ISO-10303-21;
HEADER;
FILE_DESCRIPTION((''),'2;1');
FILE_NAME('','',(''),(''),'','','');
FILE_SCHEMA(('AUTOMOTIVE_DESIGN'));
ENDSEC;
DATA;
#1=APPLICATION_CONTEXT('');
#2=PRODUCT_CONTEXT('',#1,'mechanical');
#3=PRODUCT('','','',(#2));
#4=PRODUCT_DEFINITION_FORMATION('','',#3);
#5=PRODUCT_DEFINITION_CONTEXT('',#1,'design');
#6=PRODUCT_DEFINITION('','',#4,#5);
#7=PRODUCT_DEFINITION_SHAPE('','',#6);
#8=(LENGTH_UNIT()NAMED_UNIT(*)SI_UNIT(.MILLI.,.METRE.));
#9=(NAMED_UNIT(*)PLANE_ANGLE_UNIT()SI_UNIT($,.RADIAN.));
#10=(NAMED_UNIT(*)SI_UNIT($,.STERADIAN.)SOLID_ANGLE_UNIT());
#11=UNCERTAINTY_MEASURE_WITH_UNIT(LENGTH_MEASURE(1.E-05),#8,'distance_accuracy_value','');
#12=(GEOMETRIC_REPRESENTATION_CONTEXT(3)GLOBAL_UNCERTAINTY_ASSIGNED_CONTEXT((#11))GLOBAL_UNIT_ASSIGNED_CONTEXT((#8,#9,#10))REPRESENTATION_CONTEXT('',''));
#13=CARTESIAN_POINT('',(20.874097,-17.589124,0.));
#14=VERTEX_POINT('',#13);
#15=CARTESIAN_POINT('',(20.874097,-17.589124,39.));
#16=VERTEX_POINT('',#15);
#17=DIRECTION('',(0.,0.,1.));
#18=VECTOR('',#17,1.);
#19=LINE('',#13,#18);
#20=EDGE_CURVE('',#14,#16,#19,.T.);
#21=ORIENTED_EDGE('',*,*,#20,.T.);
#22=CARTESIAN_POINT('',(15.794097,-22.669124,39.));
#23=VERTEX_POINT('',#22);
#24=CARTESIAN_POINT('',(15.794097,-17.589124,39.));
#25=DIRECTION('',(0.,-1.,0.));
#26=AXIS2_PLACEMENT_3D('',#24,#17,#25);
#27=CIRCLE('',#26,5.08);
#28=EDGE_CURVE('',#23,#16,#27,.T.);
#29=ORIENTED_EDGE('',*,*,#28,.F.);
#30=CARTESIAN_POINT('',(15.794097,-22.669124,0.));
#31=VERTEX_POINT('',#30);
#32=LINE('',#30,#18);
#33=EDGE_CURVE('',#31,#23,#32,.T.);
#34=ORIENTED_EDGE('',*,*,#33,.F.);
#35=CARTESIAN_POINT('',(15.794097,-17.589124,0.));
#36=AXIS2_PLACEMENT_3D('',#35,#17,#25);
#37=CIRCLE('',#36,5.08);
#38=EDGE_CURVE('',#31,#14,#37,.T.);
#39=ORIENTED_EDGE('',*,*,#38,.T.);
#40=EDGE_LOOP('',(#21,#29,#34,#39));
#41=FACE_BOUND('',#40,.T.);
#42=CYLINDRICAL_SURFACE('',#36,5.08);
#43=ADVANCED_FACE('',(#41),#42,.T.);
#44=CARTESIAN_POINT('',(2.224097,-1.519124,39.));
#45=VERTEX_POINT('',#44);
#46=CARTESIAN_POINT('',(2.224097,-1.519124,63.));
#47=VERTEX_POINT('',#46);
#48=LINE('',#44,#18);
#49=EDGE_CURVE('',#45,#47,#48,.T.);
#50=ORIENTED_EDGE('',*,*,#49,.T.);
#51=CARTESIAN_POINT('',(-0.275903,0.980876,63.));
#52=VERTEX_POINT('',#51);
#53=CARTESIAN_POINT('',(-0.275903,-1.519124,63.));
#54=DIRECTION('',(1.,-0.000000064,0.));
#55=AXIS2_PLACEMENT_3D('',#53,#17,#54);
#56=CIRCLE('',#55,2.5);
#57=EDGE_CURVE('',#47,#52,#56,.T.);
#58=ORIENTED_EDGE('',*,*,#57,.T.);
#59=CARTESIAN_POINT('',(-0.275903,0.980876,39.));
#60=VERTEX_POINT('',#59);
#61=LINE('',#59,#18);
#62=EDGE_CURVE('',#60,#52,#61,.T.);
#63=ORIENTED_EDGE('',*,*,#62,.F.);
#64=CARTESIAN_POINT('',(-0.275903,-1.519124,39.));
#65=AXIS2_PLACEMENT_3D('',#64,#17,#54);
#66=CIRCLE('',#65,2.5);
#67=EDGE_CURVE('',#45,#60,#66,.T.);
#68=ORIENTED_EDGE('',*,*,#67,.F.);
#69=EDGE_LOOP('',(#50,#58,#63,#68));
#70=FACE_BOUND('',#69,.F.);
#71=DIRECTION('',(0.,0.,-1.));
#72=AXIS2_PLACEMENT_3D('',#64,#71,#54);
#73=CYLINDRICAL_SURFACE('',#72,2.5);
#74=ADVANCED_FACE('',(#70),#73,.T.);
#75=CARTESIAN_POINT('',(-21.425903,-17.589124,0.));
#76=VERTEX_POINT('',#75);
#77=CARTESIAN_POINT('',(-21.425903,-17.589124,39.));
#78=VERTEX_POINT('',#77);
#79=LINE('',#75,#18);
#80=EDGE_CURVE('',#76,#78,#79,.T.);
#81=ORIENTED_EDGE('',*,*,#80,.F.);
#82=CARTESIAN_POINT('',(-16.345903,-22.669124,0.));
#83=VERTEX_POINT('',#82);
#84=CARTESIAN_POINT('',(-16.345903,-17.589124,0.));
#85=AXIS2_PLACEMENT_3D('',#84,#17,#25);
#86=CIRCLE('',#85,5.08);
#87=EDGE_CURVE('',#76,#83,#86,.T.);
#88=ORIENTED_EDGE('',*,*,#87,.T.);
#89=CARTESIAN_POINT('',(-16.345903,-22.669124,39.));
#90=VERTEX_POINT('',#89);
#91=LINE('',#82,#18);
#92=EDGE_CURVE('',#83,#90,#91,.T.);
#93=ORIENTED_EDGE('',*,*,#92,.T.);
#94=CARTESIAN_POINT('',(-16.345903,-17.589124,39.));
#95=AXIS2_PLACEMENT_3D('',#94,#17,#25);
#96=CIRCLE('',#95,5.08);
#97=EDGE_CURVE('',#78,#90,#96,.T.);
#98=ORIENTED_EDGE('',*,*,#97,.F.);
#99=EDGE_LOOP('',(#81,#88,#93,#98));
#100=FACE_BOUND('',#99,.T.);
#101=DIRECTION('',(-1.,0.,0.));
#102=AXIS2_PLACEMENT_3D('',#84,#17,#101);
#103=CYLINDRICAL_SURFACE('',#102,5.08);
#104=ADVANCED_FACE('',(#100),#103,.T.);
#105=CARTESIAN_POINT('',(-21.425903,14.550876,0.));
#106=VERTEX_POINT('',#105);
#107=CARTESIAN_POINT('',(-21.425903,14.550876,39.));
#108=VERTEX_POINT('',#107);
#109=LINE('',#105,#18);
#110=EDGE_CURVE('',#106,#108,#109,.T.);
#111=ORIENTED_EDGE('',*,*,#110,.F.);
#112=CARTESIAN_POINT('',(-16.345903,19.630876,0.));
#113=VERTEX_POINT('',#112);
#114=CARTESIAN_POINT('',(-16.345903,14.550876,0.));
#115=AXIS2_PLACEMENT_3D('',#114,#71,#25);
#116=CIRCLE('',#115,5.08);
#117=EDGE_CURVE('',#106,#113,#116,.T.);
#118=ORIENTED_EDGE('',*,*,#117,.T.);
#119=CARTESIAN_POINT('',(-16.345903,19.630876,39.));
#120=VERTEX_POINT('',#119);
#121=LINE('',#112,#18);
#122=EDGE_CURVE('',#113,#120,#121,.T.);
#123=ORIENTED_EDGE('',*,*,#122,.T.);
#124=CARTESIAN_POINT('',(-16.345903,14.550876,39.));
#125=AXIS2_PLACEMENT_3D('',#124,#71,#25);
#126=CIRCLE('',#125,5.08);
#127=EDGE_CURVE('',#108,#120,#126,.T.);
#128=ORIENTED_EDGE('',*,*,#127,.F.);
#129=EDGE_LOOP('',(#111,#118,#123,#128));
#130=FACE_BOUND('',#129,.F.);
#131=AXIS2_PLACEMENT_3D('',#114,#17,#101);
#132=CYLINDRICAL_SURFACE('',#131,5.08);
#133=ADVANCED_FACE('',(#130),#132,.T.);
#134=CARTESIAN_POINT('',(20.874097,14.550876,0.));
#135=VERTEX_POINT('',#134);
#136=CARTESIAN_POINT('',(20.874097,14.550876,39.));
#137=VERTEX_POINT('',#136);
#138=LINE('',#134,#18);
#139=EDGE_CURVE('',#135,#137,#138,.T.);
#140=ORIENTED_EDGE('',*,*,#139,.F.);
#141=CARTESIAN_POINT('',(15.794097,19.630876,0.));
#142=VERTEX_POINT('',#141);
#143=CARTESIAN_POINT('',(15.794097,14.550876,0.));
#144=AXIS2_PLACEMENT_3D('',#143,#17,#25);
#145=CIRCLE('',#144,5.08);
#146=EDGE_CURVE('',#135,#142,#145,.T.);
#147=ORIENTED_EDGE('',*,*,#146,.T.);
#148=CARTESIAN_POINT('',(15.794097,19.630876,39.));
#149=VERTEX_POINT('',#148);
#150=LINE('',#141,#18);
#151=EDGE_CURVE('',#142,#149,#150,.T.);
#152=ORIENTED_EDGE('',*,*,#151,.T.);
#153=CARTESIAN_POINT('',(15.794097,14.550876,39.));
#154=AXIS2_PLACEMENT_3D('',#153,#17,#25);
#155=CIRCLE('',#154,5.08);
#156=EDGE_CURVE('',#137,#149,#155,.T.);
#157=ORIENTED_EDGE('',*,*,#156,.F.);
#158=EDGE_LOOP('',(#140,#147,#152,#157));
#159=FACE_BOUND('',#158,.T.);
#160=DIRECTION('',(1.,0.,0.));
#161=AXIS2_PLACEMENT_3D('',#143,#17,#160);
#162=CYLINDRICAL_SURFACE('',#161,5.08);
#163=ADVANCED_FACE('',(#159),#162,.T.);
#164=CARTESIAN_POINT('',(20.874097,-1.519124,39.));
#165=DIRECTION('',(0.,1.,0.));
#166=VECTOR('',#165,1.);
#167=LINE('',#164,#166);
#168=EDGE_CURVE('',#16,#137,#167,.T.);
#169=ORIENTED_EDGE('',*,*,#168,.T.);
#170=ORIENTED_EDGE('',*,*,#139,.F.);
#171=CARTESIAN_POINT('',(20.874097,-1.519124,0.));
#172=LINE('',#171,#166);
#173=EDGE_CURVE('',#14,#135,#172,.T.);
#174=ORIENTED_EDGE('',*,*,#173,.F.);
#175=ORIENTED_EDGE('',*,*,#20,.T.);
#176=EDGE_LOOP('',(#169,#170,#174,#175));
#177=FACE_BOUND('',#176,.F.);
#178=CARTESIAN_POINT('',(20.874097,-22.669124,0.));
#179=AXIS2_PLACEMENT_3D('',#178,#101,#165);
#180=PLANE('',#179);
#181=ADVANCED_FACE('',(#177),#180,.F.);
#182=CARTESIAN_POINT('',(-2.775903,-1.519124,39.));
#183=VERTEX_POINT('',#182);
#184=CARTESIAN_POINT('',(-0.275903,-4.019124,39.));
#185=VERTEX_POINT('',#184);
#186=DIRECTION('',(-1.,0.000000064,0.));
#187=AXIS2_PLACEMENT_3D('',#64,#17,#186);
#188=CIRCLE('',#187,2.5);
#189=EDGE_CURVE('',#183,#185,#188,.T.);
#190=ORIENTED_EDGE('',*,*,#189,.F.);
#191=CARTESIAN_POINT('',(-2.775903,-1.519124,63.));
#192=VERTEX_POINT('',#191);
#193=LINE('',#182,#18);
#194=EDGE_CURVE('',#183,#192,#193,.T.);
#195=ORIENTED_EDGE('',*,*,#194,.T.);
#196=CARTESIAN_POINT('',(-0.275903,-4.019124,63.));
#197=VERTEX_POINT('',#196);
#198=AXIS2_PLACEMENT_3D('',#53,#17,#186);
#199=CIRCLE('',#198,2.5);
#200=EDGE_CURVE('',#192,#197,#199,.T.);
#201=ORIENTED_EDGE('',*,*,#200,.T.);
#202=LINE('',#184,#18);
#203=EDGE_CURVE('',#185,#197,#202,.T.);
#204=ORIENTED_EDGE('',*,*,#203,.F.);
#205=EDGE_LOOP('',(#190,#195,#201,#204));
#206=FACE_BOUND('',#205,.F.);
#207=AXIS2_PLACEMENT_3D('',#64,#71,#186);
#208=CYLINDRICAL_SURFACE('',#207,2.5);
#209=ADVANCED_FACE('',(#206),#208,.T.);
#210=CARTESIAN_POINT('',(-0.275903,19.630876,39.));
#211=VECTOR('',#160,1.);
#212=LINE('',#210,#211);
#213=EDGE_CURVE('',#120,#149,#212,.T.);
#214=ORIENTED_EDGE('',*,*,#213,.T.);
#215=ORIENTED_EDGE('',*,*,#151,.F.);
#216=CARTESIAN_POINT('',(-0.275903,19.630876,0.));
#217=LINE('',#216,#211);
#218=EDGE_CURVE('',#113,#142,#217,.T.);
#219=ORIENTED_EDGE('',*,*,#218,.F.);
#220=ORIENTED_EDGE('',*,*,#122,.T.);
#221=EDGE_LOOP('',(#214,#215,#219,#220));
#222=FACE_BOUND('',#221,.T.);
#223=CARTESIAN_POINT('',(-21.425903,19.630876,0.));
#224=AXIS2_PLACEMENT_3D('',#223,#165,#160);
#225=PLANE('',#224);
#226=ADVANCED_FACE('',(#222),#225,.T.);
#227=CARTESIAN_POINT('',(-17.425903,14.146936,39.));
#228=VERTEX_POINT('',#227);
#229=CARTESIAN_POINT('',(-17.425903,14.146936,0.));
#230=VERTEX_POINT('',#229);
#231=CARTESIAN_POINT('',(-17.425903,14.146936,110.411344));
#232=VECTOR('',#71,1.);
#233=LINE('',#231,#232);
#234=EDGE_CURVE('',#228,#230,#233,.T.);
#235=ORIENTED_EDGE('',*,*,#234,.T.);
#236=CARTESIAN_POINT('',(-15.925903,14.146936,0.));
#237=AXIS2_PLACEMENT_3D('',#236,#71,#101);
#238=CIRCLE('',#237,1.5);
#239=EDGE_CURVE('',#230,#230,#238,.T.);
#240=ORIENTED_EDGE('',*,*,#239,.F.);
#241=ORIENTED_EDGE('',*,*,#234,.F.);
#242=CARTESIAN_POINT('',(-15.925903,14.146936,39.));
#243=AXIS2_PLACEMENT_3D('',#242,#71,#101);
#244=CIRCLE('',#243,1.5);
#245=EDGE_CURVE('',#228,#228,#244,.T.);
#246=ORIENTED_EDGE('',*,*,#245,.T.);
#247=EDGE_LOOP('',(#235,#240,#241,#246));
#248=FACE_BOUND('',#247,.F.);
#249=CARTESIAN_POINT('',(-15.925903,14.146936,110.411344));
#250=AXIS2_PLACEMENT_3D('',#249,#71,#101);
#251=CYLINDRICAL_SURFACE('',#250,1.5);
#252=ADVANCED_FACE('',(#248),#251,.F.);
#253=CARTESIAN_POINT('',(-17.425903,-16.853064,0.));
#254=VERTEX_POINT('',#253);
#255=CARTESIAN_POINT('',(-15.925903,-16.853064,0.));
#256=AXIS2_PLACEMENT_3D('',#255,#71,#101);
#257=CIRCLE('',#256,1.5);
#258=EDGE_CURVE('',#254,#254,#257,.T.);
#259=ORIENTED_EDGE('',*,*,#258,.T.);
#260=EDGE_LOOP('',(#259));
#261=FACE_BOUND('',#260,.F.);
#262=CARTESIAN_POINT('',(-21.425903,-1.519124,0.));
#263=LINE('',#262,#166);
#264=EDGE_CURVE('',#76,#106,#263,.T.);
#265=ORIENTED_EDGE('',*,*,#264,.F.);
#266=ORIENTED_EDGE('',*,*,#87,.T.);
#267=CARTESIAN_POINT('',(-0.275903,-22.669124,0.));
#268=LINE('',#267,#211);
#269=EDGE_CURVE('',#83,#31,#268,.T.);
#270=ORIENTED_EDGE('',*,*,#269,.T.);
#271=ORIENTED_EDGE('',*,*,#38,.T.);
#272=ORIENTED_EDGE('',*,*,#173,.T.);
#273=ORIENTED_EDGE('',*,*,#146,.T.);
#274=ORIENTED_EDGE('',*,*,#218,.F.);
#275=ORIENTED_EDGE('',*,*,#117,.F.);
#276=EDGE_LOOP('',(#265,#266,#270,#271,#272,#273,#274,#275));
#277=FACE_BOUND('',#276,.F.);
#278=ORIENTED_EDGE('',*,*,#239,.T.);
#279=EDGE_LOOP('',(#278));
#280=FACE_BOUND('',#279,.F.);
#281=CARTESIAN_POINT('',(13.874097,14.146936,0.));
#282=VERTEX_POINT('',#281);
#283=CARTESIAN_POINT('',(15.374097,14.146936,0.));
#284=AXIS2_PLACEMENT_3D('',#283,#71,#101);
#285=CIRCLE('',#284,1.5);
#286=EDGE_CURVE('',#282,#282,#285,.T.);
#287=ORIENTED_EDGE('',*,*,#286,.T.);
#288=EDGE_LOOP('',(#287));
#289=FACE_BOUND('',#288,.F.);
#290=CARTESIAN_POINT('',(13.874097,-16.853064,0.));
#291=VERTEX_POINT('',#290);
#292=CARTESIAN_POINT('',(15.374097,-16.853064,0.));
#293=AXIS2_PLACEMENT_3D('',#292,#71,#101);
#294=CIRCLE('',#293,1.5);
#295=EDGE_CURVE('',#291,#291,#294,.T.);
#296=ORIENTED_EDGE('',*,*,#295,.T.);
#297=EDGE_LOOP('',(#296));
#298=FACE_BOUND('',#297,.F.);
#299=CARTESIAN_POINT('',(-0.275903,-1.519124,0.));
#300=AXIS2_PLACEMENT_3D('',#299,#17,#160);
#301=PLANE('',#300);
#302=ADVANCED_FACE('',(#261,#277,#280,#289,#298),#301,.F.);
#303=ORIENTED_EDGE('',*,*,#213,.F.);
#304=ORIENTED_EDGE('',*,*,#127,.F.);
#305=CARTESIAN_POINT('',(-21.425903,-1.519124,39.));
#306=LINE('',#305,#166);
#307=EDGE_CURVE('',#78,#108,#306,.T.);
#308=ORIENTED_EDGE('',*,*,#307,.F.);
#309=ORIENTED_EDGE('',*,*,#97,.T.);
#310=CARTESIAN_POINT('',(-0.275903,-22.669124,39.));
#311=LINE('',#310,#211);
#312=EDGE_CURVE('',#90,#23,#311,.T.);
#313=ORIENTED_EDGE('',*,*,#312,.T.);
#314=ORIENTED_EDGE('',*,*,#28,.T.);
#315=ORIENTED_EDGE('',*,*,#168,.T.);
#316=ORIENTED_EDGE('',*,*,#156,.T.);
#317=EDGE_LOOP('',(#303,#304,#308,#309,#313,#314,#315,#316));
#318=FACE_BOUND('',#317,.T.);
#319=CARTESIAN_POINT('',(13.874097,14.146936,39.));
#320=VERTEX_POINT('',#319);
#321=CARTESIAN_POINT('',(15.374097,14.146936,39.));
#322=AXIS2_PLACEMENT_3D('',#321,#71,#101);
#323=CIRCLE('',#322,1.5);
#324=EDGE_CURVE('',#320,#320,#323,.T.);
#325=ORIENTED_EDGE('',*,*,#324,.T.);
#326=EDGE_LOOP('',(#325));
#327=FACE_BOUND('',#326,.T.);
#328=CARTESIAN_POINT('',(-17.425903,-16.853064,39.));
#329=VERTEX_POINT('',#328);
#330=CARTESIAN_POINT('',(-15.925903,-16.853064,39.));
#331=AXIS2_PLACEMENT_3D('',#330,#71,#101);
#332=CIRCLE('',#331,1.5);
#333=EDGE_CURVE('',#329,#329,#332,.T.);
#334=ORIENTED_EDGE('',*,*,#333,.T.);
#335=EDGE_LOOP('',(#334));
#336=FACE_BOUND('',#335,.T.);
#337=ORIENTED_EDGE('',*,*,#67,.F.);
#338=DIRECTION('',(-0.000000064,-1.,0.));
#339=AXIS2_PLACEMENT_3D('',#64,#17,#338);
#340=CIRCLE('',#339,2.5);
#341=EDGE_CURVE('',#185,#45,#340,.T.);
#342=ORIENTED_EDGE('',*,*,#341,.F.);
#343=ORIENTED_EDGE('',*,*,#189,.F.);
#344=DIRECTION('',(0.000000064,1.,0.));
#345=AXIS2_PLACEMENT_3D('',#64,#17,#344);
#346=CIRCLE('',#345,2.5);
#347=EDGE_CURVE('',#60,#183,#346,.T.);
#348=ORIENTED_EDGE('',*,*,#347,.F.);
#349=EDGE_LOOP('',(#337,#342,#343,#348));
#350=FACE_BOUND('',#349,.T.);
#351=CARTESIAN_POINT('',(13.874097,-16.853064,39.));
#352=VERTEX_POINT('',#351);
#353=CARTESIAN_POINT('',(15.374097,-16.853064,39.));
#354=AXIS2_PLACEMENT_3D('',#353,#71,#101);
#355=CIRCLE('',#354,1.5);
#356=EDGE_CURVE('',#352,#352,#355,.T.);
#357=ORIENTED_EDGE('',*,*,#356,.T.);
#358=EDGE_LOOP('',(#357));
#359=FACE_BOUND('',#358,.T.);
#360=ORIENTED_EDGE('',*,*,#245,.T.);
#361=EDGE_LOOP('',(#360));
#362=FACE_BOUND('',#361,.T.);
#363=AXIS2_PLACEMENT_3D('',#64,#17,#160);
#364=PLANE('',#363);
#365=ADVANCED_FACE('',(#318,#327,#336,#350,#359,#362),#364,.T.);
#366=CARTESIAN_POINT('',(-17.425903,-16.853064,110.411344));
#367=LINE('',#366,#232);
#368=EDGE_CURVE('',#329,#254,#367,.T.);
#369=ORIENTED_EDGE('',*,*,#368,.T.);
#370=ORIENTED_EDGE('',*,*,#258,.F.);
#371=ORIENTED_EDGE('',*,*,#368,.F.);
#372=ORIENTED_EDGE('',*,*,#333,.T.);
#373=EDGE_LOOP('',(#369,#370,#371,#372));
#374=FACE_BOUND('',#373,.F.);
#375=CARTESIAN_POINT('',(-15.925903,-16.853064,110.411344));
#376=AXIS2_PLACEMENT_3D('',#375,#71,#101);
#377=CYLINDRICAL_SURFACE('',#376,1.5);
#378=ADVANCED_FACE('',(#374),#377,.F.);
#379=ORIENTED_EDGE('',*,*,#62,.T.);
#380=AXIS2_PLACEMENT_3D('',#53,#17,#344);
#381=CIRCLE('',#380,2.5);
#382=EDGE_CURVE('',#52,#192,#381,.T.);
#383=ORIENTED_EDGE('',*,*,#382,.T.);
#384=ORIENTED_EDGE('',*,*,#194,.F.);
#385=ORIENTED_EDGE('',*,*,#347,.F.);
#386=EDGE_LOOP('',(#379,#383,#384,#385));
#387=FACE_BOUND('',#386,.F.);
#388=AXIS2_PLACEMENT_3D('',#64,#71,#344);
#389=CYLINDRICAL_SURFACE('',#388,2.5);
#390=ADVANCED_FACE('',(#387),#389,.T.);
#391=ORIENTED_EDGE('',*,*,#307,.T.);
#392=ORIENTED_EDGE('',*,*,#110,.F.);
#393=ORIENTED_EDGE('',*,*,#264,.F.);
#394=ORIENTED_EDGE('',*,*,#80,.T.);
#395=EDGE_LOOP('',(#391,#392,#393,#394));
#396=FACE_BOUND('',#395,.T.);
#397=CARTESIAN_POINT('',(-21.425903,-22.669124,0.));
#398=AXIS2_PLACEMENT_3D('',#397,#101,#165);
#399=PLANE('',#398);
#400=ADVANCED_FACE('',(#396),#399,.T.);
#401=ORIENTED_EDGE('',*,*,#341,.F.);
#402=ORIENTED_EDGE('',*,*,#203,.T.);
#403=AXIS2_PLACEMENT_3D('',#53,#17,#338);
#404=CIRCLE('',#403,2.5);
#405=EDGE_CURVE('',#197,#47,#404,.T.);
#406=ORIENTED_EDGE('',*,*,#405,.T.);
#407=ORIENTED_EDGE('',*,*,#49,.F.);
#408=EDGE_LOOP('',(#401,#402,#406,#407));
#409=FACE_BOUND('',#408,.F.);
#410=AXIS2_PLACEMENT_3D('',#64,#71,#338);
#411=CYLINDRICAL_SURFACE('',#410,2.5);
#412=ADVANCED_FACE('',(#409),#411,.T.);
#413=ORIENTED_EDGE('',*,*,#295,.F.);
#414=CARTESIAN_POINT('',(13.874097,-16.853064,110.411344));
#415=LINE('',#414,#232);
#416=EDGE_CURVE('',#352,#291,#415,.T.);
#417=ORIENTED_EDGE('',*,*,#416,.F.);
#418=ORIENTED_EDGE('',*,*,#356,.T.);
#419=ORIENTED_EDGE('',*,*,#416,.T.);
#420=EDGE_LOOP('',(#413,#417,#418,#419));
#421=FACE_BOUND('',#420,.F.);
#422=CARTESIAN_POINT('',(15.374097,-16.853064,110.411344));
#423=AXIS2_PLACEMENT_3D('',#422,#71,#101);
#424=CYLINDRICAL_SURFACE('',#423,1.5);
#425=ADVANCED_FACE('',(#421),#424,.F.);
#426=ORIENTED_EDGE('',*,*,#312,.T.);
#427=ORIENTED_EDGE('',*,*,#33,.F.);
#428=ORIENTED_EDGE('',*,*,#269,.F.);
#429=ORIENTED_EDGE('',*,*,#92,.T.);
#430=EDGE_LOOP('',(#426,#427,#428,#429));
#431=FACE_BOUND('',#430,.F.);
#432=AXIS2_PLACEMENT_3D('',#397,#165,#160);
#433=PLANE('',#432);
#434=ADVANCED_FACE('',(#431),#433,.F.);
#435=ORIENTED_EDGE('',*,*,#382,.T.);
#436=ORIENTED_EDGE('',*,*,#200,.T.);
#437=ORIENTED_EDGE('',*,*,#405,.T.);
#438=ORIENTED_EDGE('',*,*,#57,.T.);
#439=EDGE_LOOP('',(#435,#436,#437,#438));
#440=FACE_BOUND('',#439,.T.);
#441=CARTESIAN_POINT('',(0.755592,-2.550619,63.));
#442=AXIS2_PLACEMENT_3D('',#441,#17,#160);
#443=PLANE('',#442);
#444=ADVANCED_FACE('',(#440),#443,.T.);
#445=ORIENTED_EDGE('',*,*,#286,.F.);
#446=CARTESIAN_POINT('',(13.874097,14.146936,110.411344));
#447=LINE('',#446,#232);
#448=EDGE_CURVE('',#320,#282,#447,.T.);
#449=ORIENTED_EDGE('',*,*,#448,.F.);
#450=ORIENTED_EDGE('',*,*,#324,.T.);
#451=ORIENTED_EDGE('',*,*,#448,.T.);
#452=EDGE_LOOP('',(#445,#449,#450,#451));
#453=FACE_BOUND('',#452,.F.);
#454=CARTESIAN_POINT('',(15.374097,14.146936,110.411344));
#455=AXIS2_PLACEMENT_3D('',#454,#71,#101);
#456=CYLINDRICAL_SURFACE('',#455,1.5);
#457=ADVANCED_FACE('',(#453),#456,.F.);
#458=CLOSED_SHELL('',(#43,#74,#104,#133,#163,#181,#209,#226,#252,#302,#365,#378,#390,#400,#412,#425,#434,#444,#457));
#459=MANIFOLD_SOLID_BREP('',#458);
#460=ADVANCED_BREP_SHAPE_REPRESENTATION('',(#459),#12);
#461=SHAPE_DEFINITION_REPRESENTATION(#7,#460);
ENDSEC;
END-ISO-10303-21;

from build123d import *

# Parameters (mm, degrees)
F0_W     = 42.3
F0_H     = 42.3
F1_DEPTH = 39
F2_R     = 5.08
F4_D     = 3
F6_DEPTH = 24


with BuildPart() as f1:
    # F0 (on Top) → F1 (new body)
    with BuildSketch(Plane.XY):
        with Locations((-0.275903, -1.519124)):
            Rectangle(F0_W, F0_H)
    extrude(amount=F1_DEPTH)

    # F2
    f2_edges = [f1.edges().sort_by_distance(p)[0] for p in [
        (20.874097, 19.630876, 19.5),
        (20.874097, -22.669124, 19.5),
        (-21.425903, 19.630876, 19.5),
        (-21.425903, -22.669124, 19.5),
    ]]
    fillet(f2_edges, radius=F2_R)

    # F4 (through all)
    with Locations(Plane.XY.offset(39)):
        with Locations((15.374097, 14.146936), (15.374097, -16.853064), (-15.925903, -16.853064), (-15.925903, 14.146936)):
            Hole(F4_D / 2)

    # F5 (on face) → F6 (join)
    with BuildSketch(Plane.XY.offset(39)):
        with BuildLine():
            ThreePointArc((-0.275903, -4.019124), (1.491864, -3.286891), (2.224097, -1.519124))
            Line((2.224097, -1.519124), (-0.275903, -1.519124))
            Line((-0.275903, -1.519124), (-0.275903, -4.019124))
        make_face()
        with BuildLine():
            Line((-0.275903, -1.519124), (2.224097, -1.519124))
            ThreePointArc((2.224097, -1.519124), (1.491864, 0.248643), (-0.275903, 0.980876))
            Line((-0.275903, 0.980876), (-0.275903, -1.519124))
        make_face()
        with BuildLine():
            Line((-0.275903, -4.019124), (-0.275903, -1.519124))
            Line((-0.275903, -1.519124), (-2.775903, -1.519124))
            ThreePointArc((-2.775903, -1.519124), (-2.04367, -3.286891), (-0.275903, -4.019124))
        make_face()
        with BuildLine():
            Line((-2.775903, -1.519124), (-0.275903, -1.519124))
            Line((-0.275903, -1.519124), (-0.275903, 0.980876))
            ThreePointArc((-0.275903, 0.980876), (-2.04367, 0.248643), (-2.775903, -1.519124))
        make_face()
    extrude(amount=F6_DEPTH)


solid = f1.part
